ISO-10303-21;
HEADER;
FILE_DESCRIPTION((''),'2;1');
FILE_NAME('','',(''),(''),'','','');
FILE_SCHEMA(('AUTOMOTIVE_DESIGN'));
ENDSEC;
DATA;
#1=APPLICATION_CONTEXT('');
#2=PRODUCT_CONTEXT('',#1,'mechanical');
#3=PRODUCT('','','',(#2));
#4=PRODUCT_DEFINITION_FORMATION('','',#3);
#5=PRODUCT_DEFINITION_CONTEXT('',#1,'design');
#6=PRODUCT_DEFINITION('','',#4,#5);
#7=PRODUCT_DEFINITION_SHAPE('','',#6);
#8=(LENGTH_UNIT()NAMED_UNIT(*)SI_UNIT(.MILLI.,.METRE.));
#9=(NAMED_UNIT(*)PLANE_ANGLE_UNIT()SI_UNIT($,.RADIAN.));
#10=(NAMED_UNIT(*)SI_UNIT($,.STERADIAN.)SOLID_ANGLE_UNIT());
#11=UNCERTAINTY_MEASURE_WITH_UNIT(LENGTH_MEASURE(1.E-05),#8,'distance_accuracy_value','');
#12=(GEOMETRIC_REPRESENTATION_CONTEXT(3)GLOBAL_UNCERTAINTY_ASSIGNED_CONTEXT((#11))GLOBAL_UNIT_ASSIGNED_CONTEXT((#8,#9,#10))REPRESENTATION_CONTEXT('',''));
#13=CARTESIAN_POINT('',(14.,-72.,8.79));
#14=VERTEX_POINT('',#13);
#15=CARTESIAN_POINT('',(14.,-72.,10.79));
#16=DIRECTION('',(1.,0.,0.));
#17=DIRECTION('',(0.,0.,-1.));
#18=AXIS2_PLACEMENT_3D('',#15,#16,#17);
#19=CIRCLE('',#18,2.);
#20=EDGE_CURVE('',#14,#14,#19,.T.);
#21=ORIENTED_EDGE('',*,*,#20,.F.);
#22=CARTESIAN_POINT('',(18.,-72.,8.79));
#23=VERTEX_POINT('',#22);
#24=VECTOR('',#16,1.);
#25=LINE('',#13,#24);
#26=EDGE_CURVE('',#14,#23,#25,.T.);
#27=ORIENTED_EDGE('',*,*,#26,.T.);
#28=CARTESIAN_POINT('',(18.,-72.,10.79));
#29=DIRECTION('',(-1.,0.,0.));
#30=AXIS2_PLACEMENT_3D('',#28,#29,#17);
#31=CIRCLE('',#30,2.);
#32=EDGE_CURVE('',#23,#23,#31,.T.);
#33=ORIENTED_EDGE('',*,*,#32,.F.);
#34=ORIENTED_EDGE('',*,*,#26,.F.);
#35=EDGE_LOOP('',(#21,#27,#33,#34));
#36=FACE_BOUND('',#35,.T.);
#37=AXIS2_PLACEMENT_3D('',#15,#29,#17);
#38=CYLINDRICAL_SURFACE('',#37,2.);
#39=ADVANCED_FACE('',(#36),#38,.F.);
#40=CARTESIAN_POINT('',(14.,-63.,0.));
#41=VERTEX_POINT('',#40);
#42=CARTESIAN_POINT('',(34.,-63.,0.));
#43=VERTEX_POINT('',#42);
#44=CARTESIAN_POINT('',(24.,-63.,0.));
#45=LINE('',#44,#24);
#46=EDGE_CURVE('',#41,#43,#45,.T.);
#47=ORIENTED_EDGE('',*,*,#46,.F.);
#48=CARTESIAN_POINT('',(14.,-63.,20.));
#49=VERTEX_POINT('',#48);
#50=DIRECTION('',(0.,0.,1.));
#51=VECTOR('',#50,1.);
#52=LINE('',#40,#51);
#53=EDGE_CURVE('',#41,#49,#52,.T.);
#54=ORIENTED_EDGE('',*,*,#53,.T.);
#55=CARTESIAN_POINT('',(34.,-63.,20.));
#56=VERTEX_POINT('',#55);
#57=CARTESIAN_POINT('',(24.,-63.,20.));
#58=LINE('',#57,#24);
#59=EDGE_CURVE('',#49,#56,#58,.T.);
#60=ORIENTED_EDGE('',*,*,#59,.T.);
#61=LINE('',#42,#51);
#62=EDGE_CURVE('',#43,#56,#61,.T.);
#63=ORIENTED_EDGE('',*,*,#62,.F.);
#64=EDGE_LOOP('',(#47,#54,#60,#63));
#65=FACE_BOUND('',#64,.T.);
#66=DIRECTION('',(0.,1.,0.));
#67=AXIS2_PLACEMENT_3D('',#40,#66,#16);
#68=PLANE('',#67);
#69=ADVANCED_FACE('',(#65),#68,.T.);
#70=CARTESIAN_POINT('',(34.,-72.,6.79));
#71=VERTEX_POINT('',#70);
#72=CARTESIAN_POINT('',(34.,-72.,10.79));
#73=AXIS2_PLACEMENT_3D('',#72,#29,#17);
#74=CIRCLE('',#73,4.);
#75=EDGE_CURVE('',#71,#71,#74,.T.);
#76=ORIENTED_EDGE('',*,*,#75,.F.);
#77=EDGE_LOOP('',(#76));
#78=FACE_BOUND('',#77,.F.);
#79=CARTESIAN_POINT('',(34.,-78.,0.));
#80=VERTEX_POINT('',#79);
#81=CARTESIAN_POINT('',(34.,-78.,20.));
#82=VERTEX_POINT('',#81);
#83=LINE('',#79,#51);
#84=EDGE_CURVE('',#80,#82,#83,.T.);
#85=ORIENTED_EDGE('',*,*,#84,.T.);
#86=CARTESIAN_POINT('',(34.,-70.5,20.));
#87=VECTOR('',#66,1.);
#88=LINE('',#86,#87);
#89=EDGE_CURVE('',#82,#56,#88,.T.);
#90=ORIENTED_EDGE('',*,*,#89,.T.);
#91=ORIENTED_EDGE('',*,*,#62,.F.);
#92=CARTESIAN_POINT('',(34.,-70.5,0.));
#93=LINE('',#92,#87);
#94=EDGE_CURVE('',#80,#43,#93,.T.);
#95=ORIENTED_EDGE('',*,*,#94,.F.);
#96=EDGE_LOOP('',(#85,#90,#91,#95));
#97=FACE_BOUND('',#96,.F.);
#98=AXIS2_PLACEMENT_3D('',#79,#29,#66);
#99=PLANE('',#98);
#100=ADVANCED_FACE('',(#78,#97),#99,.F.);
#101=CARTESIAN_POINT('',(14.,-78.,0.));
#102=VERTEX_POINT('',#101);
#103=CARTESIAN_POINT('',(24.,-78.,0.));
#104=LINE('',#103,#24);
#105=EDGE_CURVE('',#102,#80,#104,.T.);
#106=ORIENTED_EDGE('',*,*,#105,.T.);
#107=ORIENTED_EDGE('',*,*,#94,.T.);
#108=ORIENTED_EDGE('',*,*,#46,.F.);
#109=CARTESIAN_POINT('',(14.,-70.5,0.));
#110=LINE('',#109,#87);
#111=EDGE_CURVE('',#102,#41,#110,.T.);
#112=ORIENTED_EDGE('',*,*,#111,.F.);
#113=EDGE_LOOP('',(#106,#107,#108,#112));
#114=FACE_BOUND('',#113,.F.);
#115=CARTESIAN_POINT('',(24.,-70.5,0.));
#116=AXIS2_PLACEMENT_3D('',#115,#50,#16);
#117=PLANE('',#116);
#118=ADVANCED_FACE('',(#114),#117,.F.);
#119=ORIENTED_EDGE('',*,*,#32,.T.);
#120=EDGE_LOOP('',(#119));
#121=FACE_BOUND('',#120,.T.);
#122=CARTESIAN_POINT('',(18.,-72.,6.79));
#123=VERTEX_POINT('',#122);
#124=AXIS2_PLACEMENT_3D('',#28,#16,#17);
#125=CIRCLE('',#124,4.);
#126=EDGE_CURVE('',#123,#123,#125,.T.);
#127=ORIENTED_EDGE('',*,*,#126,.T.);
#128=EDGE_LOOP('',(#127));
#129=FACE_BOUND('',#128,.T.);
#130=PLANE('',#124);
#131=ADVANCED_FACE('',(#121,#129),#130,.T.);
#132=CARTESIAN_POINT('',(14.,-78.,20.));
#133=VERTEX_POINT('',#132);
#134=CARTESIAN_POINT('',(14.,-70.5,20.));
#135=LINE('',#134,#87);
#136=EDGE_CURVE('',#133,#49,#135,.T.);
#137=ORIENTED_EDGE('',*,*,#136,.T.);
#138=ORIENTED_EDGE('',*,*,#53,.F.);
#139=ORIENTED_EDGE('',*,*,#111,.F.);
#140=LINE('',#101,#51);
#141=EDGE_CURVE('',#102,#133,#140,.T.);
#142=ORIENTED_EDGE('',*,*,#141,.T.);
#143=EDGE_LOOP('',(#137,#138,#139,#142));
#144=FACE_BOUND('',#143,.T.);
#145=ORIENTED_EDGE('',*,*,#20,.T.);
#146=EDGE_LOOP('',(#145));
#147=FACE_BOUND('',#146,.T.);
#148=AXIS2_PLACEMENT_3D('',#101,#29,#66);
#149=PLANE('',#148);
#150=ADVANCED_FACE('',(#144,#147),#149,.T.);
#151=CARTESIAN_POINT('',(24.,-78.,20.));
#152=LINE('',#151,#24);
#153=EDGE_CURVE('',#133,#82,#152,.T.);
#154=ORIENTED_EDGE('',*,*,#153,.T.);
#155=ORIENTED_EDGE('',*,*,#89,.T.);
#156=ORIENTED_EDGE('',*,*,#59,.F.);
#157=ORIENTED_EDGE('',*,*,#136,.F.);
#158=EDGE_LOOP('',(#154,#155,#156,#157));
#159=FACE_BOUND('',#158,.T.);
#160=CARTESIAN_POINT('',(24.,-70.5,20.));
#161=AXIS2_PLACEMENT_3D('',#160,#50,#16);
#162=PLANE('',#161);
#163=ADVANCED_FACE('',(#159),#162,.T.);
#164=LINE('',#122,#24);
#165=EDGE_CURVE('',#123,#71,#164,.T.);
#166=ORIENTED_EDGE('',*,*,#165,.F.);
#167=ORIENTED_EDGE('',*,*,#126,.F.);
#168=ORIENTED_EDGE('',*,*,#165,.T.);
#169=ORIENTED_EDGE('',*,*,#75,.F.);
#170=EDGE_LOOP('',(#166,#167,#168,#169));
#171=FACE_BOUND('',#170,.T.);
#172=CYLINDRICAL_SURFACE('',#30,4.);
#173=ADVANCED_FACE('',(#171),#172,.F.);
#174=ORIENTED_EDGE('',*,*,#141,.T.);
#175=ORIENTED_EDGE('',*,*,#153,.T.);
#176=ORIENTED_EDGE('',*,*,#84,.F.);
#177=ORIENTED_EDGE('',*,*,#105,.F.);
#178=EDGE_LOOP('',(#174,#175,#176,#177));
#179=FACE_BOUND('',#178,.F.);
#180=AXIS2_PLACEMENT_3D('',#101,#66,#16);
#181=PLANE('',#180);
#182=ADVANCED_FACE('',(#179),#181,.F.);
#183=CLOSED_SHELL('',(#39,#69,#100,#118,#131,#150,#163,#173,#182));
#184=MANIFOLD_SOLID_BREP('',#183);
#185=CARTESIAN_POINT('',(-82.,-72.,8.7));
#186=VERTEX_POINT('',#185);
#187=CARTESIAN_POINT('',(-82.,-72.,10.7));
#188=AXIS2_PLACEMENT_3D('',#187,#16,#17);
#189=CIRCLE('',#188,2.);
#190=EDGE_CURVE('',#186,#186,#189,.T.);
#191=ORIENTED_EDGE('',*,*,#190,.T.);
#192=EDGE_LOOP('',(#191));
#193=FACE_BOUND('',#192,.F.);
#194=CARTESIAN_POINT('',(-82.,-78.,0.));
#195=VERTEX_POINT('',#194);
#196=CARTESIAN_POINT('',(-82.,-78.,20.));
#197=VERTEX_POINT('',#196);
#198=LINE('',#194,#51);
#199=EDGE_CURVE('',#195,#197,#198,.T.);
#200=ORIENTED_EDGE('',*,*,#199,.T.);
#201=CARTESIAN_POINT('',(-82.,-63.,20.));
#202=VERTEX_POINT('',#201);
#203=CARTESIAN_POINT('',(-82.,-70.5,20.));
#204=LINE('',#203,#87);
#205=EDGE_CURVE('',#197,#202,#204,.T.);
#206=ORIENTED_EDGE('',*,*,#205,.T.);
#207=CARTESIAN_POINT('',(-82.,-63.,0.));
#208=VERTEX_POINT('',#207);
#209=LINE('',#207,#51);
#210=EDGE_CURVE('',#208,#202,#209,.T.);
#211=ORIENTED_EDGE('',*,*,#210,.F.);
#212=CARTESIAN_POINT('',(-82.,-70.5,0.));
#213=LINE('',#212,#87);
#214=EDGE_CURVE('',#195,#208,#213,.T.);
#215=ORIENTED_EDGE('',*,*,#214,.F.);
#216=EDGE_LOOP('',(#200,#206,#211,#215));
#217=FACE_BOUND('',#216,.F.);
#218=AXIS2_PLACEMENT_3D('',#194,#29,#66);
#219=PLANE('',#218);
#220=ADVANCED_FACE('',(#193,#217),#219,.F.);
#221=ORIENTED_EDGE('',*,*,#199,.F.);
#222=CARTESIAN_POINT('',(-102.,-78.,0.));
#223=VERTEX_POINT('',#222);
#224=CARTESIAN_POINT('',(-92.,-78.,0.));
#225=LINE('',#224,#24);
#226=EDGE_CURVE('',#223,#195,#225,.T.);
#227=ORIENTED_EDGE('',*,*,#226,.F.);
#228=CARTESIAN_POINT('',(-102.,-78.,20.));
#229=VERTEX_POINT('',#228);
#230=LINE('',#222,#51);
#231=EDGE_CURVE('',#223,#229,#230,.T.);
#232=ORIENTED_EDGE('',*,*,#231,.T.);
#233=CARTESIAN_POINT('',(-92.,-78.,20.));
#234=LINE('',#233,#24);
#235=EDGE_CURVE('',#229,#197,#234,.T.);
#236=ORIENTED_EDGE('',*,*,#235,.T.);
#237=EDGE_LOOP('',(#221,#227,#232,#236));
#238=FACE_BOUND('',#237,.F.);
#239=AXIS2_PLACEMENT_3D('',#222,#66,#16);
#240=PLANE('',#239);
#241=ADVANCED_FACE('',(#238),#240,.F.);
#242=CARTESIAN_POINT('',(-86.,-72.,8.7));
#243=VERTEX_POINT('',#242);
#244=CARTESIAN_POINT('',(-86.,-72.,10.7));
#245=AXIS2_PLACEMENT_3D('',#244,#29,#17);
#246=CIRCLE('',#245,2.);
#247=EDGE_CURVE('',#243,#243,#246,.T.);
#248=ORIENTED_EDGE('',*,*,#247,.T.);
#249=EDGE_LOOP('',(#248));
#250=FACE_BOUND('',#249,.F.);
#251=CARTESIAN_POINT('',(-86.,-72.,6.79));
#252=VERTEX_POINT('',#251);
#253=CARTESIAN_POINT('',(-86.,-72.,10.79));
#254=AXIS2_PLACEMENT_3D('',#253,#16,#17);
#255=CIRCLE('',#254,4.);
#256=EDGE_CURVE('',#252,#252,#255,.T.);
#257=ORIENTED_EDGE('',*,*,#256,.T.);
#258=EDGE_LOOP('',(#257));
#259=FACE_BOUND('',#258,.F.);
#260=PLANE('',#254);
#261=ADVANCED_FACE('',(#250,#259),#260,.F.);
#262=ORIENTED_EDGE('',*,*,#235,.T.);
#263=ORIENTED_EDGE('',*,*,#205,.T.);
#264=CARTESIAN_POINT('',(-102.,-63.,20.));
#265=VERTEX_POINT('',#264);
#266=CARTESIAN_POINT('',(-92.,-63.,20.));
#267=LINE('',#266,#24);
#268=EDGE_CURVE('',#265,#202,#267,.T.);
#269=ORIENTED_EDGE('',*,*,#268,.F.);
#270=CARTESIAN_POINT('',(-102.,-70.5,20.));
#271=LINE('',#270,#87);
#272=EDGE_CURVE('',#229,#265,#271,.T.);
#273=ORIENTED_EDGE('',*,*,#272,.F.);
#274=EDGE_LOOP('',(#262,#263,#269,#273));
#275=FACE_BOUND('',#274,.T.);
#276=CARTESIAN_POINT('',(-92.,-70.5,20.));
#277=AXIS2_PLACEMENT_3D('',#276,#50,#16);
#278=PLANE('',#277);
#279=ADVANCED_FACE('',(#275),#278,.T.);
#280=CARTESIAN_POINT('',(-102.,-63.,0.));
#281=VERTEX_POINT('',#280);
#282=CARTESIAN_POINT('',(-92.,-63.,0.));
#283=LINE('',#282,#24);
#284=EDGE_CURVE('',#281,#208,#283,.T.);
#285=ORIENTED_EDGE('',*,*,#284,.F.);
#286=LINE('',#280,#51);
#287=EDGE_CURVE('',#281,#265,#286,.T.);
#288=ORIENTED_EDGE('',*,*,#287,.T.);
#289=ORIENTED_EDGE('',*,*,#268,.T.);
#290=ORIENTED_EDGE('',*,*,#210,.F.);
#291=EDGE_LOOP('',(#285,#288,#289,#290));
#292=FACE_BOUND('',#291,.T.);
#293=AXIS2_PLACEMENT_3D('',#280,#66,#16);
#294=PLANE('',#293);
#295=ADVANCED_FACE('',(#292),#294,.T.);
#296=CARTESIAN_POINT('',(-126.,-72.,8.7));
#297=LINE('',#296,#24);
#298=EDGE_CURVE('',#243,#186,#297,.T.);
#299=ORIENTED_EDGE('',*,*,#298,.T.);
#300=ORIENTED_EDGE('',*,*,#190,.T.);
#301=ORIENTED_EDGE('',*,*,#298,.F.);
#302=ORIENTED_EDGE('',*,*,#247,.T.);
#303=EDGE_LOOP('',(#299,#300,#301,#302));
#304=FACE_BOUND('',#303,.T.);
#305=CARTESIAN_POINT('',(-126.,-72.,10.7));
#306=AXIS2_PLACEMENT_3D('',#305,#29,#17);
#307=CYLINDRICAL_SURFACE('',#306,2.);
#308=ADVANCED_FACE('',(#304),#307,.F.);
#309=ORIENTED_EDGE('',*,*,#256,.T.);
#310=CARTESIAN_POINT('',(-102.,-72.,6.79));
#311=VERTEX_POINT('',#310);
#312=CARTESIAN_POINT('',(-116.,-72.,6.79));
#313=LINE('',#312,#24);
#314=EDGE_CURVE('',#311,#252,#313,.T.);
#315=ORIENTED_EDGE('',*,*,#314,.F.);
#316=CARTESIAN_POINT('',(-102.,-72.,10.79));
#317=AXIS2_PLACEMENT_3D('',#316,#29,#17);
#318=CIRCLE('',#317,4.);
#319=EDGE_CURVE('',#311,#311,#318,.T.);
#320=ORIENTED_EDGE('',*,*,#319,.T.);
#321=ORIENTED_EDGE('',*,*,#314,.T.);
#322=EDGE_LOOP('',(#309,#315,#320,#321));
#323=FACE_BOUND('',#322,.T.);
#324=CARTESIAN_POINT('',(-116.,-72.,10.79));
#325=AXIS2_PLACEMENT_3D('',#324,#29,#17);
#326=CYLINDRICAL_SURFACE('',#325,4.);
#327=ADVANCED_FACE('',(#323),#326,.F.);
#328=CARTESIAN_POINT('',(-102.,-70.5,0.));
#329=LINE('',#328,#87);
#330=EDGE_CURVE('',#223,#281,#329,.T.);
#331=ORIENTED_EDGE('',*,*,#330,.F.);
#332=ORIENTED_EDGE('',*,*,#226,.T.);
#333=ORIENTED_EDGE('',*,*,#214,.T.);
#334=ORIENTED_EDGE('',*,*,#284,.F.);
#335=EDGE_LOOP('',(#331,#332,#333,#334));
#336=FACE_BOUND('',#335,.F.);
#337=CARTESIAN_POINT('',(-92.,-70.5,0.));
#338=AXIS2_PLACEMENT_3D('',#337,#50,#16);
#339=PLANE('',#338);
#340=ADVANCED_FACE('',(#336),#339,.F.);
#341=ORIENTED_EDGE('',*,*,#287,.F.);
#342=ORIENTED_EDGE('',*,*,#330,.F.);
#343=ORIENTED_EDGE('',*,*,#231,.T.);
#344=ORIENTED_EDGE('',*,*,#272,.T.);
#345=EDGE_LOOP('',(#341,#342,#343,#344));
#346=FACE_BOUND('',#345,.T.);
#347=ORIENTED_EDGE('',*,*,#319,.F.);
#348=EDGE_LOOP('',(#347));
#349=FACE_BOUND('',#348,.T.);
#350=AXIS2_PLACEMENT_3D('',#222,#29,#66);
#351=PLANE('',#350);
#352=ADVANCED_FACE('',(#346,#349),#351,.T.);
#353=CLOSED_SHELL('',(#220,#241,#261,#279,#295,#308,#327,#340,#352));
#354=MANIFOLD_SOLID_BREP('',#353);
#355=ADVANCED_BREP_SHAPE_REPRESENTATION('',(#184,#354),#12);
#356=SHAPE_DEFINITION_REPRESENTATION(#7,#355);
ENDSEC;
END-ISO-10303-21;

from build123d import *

# Parameters (mm, degrees)
CYLINDER400_R     = 2
CYLINDER400_DEPTH = 44
CYLINDER354_R     = 4
CYLINDER354_DEPTH = 30
BOX454_W          = 20
BOX454_H          = 15
BOX454_DEPTH      = 20
CYLINDER402_R     = 2
CYLINDER402_DEPTH = 44
CYLINDER401_R     = 4
CYLINDER401_DEPTH = 30
BOX514_W          = 20
BOX514_H          = 15
BOX514_DEPTH      = 20


with BuildPart() as cylinder400:
    # Cylinder400 → Cylinder400 (new body)
    with BuildSketch(Plane(origin=(-126, -72, 10.7), x_dir=(0, 0, -1), z_dir=(1, 0, 0))):
        Circle(CYLINDER400_R)
    extrude(amount=CYLINDER400_DEPTH)


with BuildPart() as cylinder354:
    # Cylinder354 → Cylinder354 (new body)
    with BuildSketch(Plane(origin=(-116, -72, 10.79), x_dir=(0, 0, -1), z_dir=(1, 0, 0))):
        Circle(CYLINDER354_R)
    extrude(amount=CYLINDER354_DEPTH)


with BuildPart() as cut433:
    # Box454 → Box454 (new body)
    with BuildSketch(Plane(origin=(-102, -78, 0), x_dir=(1, 0, 0), z_dir=(0, 0, 1))):
        with Locations((10, 7.5)):
            Rectangle(BOX454_W, BOX454_H)
    extrude(amount=BOX454_DEPTH)

    # Cut432: cut Cylinder354
    add(cylinder354.part, mode=Mode.SUBTRACT)

    # Cut433: cut Cylinder400
    add(cylinder400.part, mode=Mode.SUBTRACT)


with BuildPart() as cylinder402:
    # Cylinder402 → Cylinder402 (new body)
    with BuildSketch(Plane(origin=(14, -72, 10.79), x_dir=(0, 0, -1), z_dir=(1, 0, 0))):
        Circle(CYLINDER402_R)
    extrude(amount=CYLINDER402_DEPTH)


with BuildPart() as cylinder401:
    # Cylinder401 → Cylinder401 (new body)
    with BuildSketch(Plane(origin=(18, -72, 10.79), x_dir=(0, 0, -1), z_dir=(1, 0, 0))):
        Circle(CYLINDER401_R)
    extrude(amount=CYLINDER401_DEPTH)


with BuildPart() as fusion398:
    # Box514 → Box514 (new body)
    with BuildSketch(Plane(origin=(14, -78, 0), x_dir=(1, 0, 0), z_dir=(0, 0, 1))):
        with Locations((10, 7.5)):
            Rectangle(BOX514_W, BOX514_H)
    extrude(amount=BOX514_DEPTH)

    # Cut434: cut Cylinder401
    add(cylinder401.part, mode=Mode.SUBTRACT)

    # Cut435: cut Cylinder402
    add(cylinder402.part, mode=Mode.SUBTRACT)

    # Fusion398: union Cut433
    add(cut433.part)


solid = fusion398.part
